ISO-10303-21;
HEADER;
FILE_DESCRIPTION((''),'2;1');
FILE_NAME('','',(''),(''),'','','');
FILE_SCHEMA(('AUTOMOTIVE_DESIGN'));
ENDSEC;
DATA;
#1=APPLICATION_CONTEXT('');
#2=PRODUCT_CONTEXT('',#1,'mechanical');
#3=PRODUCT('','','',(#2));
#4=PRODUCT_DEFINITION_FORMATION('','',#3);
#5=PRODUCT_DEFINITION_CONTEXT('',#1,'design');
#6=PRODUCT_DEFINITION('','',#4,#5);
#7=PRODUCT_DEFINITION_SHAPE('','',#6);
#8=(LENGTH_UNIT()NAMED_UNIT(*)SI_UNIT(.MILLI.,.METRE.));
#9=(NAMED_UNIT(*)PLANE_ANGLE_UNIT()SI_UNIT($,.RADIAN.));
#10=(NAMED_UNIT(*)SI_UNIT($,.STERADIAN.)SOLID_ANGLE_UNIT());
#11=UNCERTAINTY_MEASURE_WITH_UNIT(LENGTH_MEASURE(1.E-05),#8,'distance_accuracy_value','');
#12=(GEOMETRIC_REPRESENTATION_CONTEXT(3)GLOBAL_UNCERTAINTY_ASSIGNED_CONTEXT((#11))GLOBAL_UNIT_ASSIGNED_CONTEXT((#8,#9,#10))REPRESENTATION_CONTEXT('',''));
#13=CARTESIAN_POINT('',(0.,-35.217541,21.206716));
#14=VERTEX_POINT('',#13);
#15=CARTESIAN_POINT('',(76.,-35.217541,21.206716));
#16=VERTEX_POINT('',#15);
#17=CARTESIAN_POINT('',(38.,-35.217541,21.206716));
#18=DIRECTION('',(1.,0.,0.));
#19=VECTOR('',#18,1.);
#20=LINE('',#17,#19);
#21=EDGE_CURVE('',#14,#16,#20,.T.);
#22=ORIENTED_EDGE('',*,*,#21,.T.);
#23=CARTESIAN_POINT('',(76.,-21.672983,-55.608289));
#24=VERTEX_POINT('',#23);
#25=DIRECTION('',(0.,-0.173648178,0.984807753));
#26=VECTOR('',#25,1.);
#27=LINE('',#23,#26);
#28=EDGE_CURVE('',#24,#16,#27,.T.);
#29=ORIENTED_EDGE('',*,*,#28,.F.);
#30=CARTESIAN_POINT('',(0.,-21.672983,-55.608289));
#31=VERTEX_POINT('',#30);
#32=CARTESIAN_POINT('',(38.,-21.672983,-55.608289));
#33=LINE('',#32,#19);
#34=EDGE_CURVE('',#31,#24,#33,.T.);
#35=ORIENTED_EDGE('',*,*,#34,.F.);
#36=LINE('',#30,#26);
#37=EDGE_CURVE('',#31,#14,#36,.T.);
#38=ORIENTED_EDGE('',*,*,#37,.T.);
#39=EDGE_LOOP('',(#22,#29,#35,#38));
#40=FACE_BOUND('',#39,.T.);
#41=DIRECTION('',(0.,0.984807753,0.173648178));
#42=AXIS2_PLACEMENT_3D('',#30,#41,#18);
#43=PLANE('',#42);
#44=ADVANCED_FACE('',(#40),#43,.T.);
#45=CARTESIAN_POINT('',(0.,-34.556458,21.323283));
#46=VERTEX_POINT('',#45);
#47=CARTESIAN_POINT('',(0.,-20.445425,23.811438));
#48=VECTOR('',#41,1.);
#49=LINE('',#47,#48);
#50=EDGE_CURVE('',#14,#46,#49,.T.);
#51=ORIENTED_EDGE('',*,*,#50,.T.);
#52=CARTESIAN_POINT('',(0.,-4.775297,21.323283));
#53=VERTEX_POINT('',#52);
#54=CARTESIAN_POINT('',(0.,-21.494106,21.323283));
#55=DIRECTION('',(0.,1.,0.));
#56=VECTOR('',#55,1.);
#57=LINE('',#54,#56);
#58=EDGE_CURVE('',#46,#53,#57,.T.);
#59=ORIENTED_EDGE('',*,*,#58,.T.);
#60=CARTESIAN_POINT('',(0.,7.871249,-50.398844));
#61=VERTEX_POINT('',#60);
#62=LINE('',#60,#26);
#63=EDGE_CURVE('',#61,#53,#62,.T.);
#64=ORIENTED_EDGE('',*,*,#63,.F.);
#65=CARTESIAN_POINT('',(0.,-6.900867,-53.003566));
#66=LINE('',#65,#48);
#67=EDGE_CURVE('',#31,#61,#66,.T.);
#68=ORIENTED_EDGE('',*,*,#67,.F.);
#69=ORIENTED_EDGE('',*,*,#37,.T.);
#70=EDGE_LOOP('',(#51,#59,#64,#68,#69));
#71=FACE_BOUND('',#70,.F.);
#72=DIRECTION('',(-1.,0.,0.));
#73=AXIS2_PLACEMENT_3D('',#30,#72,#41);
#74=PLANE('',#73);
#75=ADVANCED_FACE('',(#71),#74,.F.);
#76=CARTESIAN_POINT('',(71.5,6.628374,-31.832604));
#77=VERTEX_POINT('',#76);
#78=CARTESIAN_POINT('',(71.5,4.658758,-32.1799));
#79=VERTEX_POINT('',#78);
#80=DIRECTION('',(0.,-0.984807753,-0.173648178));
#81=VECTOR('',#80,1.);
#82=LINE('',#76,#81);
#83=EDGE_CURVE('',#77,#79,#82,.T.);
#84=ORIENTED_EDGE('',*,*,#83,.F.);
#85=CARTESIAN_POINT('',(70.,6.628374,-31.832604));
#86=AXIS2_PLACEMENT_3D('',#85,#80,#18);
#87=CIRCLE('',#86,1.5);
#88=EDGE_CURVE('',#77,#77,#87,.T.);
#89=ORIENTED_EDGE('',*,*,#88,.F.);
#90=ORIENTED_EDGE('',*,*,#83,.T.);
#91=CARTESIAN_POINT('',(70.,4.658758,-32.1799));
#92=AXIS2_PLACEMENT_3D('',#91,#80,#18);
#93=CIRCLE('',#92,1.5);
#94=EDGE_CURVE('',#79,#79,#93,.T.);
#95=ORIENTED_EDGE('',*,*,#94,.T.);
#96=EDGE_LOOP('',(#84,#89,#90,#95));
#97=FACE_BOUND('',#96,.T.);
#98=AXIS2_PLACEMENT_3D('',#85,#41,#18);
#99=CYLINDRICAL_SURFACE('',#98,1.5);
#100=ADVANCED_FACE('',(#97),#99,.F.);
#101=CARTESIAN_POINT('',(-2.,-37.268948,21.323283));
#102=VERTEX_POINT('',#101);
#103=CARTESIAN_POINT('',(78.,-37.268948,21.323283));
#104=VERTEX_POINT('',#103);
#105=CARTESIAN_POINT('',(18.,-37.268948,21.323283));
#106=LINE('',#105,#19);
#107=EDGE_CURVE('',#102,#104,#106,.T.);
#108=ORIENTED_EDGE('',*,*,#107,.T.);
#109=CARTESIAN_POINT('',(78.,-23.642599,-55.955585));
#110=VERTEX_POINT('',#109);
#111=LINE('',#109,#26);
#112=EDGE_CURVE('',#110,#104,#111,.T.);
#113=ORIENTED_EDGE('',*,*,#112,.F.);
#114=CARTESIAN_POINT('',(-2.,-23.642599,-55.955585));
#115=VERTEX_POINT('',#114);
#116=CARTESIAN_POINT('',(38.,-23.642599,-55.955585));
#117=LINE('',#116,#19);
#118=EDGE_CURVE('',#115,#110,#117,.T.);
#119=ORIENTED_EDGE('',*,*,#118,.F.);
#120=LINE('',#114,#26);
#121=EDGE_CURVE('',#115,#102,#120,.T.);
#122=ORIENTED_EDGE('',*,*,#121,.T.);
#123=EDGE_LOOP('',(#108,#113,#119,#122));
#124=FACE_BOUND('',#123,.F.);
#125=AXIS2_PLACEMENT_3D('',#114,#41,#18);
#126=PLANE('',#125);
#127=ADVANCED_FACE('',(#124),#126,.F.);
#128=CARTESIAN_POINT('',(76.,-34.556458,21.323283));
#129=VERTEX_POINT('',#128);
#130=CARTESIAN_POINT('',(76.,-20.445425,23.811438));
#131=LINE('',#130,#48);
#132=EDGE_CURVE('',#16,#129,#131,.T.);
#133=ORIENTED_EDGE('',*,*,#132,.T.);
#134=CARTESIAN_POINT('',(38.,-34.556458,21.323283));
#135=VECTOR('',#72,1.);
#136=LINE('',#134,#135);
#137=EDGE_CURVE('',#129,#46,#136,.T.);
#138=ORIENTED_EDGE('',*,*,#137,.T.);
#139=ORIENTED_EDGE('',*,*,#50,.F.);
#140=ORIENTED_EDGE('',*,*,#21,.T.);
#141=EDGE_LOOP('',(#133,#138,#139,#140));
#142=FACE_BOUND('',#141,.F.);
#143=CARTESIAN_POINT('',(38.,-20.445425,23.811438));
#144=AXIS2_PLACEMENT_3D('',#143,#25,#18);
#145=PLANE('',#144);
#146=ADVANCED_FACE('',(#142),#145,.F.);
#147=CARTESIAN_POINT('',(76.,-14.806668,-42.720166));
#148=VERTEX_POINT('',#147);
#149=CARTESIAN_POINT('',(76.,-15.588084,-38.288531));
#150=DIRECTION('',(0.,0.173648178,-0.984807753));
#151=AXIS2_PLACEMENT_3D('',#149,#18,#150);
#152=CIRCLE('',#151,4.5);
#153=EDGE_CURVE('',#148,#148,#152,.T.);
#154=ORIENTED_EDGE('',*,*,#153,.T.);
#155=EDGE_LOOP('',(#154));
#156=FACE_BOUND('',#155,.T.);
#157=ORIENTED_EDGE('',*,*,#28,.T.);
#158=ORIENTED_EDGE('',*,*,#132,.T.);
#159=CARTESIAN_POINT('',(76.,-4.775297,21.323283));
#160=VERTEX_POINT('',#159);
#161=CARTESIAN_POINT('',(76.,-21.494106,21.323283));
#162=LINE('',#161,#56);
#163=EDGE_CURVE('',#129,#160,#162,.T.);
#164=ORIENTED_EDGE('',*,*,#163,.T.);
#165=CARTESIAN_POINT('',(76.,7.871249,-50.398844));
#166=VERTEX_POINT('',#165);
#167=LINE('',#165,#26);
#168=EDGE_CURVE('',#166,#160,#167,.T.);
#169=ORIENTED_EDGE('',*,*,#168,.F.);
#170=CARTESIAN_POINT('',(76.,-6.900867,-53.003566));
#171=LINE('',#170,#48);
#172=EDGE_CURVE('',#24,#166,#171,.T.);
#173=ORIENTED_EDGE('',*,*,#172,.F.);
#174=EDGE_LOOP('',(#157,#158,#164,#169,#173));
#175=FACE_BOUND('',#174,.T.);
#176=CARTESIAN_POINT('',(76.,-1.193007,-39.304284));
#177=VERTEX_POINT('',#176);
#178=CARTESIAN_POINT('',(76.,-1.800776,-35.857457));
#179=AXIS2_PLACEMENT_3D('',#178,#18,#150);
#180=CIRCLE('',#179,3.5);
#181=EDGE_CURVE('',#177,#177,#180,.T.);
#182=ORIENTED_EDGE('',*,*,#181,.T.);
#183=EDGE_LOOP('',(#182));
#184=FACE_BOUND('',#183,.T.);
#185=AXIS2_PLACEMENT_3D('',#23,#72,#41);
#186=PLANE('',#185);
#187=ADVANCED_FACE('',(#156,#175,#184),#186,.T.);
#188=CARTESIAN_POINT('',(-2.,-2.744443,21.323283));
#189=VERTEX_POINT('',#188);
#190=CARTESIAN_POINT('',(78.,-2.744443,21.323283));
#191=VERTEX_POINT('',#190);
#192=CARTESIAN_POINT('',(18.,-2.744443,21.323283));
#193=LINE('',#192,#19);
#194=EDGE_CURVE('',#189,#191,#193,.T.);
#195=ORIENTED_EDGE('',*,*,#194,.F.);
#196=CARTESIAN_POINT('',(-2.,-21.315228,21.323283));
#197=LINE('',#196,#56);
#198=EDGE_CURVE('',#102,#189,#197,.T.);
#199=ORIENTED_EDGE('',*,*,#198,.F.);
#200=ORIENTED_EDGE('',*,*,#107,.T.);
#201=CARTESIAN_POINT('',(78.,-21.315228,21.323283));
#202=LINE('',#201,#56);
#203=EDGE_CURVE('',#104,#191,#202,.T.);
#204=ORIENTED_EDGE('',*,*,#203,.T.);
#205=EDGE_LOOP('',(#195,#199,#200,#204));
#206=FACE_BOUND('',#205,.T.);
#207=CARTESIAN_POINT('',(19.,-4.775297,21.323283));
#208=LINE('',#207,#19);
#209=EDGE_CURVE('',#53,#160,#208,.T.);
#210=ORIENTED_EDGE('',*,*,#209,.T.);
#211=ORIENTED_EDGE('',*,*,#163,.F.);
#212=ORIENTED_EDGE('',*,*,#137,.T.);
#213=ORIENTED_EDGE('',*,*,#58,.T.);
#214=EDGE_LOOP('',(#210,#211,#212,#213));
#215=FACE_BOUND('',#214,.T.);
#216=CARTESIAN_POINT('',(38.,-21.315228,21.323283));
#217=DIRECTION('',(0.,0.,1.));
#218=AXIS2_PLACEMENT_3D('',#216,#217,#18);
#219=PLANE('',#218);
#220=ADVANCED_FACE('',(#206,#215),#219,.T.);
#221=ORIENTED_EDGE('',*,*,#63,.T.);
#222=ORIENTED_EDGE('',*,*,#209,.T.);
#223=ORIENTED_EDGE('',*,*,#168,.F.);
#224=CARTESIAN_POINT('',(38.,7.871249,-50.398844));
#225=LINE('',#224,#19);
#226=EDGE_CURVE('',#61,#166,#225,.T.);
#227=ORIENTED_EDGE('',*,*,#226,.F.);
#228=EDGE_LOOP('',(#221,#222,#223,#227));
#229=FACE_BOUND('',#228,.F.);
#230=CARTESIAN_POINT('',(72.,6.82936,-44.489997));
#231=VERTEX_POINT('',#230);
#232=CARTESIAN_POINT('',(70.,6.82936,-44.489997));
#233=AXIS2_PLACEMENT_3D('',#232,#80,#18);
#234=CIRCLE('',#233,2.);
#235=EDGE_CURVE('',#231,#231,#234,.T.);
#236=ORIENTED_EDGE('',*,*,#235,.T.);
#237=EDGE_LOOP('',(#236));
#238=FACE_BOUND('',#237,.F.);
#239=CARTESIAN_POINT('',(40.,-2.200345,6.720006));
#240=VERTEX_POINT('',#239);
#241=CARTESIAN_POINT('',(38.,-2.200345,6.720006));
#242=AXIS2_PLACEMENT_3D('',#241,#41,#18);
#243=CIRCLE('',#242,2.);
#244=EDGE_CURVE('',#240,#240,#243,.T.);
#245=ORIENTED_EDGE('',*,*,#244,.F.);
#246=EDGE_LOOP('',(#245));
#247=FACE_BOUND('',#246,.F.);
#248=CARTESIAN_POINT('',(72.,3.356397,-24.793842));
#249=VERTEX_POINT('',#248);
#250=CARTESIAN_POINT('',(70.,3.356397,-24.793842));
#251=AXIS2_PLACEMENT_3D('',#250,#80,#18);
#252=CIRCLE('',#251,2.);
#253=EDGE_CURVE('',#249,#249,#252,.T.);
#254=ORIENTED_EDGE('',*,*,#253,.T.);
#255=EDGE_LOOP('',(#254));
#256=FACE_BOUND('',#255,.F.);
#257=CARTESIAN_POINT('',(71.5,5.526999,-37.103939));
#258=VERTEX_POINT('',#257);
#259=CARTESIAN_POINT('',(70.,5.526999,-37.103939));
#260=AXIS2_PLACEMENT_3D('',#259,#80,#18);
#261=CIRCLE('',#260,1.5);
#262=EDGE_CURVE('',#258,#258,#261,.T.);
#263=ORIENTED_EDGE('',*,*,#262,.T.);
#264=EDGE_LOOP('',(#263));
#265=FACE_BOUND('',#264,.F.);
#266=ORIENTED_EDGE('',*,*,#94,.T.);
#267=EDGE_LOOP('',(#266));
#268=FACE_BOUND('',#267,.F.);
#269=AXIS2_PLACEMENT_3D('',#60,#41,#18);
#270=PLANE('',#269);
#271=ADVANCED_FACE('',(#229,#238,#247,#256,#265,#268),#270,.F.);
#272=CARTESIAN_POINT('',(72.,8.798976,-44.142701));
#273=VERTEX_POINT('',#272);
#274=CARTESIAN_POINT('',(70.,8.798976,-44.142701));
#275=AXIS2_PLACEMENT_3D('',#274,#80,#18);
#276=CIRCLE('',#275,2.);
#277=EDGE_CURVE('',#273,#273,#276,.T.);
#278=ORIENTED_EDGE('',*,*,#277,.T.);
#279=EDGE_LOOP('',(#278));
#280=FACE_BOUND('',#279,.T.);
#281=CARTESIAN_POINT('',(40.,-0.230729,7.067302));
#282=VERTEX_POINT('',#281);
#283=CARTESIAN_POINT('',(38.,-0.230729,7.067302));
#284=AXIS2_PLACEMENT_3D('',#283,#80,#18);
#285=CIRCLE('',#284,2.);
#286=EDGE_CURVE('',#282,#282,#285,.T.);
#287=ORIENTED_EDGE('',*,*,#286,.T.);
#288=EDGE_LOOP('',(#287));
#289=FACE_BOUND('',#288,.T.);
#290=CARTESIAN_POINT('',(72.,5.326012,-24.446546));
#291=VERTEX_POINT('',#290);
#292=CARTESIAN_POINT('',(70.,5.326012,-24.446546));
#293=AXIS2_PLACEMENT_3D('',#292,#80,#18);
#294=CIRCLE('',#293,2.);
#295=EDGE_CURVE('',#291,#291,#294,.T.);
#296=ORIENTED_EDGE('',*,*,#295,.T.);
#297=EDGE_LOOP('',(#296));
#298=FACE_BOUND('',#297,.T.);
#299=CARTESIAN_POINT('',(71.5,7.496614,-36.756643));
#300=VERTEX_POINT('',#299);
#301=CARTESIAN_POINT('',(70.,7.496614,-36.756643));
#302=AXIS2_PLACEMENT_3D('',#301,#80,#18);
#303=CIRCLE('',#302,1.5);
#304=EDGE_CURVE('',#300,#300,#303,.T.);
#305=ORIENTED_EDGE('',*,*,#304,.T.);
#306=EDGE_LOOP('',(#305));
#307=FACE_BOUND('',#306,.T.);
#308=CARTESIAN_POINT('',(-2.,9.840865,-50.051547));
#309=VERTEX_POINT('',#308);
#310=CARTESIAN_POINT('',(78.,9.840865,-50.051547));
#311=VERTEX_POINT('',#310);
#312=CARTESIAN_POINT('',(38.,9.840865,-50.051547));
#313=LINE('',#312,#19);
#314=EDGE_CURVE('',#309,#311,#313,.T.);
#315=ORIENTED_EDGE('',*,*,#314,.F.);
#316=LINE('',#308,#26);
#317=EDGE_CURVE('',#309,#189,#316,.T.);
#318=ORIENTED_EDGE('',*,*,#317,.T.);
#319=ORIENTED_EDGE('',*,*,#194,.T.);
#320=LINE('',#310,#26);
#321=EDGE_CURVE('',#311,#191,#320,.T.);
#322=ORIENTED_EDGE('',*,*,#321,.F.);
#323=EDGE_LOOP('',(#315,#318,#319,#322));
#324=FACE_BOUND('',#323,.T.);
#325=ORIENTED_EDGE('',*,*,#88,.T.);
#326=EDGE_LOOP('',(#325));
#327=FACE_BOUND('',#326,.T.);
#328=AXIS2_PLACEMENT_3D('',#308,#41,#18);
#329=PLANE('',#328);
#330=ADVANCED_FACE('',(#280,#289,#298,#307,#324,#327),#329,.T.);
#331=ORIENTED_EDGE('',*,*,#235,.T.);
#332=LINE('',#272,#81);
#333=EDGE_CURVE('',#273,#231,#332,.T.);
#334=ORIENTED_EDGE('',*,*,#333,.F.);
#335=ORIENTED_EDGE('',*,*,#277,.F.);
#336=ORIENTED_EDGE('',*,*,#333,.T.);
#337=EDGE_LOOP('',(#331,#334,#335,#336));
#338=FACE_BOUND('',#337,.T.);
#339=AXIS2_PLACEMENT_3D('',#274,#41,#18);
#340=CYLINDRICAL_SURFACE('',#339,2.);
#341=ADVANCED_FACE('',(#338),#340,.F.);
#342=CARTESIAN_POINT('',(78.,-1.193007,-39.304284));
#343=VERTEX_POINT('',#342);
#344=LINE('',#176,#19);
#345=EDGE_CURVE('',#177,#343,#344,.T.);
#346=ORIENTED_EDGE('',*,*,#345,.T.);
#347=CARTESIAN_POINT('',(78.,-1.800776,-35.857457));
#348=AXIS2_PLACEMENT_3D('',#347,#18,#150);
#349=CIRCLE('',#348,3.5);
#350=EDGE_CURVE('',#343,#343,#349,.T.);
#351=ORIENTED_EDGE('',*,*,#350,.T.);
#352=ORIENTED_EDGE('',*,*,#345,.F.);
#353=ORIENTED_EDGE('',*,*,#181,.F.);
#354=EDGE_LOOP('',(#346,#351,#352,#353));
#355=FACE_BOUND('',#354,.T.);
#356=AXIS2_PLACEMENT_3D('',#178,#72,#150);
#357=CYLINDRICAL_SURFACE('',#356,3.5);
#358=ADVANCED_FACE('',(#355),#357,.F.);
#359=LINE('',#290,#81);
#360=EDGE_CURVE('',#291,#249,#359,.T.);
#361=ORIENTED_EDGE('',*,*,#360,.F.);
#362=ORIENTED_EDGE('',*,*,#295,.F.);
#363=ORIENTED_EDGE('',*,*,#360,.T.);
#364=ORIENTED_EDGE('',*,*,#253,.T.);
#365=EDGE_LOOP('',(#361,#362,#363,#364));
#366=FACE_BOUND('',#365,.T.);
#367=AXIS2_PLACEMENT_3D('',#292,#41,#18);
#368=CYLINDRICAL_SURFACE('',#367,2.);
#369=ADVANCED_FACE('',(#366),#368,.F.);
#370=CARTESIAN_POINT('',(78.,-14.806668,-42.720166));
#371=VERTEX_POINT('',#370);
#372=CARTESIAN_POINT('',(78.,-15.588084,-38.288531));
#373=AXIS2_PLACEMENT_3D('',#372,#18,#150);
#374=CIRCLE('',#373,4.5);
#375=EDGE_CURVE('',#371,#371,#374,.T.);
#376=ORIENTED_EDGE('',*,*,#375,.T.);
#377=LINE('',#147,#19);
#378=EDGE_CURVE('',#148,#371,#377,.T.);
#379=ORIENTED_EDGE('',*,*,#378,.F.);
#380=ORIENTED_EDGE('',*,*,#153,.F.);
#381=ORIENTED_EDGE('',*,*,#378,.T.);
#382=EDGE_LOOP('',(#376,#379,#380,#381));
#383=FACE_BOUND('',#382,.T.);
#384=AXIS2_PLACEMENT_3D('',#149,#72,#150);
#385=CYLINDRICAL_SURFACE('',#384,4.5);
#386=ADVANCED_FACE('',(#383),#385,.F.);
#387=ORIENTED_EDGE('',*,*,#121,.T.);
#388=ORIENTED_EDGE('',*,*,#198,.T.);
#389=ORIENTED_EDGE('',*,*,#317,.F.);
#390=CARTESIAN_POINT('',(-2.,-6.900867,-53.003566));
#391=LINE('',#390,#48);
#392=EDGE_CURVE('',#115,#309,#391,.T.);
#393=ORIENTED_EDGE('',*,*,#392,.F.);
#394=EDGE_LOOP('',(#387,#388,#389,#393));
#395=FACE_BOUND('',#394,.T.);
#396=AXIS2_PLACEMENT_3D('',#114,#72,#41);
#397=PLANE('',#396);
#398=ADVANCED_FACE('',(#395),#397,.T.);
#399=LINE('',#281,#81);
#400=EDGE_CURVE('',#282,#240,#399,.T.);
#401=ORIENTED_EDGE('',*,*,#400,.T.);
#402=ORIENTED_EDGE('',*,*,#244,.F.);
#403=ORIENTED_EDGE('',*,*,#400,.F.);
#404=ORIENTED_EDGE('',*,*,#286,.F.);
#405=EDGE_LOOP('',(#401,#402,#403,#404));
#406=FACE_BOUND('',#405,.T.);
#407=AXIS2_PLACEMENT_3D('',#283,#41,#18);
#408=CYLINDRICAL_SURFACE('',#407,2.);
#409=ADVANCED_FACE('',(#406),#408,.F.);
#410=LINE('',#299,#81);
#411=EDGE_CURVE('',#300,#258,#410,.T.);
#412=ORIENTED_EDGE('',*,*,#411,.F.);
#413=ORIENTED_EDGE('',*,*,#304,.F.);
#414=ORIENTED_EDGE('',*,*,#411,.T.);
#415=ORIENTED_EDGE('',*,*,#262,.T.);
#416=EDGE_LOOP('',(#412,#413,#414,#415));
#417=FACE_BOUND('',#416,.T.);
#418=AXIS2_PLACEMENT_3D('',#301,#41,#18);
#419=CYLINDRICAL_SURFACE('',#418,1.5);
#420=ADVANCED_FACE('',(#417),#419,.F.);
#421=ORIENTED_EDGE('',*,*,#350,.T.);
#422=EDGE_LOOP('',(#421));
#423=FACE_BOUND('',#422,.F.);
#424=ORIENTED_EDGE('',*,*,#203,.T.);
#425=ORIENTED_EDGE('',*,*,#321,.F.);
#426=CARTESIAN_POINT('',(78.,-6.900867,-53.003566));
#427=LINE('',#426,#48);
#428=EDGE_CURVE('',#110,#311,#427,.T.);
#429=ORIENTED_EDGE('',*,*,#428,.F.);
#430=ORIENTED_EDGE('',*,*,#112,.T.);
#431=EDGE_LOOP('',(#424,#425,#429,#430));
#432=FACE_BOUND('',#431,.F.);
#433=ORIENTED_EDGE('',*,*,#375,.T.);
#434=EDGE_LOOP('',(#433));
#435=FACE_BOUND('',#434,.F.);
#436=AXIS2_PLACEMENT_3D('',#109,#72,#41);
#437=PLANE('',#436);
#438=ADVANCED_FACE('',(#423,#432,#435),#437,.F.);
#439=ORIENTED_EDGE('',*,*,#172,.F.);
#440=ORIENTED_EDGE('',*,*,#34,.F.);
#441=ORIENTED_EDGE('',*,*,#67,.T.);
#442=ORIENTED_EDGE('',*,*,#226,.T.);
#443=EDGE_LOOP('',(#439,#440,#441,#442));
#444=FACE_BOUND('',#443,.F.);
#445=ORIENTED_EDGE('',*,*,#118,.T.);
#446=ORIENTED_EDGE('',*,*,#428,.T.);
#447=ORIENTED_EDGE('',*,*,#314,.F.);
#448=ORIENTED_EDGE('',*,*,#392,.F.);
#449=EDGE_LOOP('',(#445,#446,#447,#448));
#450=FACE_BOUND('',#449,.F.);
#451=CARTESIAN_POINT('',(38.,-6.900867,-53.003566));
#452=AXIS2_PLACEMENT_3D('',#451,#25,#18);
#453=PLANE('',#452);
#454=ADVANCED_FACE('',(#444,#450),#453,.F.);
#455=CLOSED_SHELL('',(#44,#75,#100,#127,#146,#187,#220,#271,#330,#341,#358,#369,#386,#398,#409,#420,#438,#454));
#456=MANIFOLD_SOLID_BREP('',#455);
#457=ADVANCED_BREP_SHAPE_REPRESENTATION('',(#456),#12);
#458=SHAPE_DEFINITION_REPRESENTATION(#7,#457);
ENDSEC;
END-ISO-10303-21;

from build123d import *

# Parameters (mm, degrees)
CYLINDER007_R          = 11
CYLINDER007_DEPTH      = 2
CYLINDER012_R          = 2.5
CYLINDER012_DEPTH      = 2
CYLINDER013_R          = 2
CYLINDER013_DEPTH      = 2
CYLINDER014_R          = 3.5
CYLINDER014_DEPTH      = 2
CYLINDER015_R          = 4.5
CYLINDER015_DEPTH      = 2
BOX019_W               = 80
BOX019_H               = 38
BOX019_DEPTH           = 8
BOX019_PLACEMENT_ANGLE = 10
CYLINDER024_R          = 2
CYLINDER024_DEPTH      = 3
CYLINDER025_R          = 2
CYLINDER025_DEPTH      = 2
CYLINDER026_R          = 1.5
CYLINDER026_DEPTH      = 2
CYLINDER027_R          = 1.5
CYLINDER027_DEPTH      = 2
BOX004_W               = 76
BOX004_H               = 30
BOX004_DEPTH           = 78
BOX003_W               = 80
BOX003_H               = 34
BOX003_DEPTH           = 80
CUT012_PLACEMENT_ANGLE = 10


with BuildPart() as basehole:
    # Cylinder007 → Cylinder007 (new body)
    with BuildSketch(Plane(origin=(15, -19, 20), x_dir=(1, 0, 0), z_dir=(0, 0, 1))):
        Circle(CYLINDER007_R)
    extrude(amount=CYLINDER007_DEPTH)


with BuildPart() as volumehole:
    # Cylinder012 → Cylinder012 (new body)
    with BuildSketch(Plane(origin=(62, -20, 20), x_dir=(1, 0, 0), z_dir=(0, 0, 1))):
        Circle(CYLINDER012_R)
    extrude(amount=CYLINDER012_DEPTH)


with BuildPart() as extspeakerhole:
    # Cylinder013 → Cylinder013 (new body)
    with BuildSketch(Plane(origin=(70, 1, -45), x_dir=(1, 0, 0), z_dir=(0, -1, 0))):
        Circle(CYLINDER013_R)
    extrude(amount=CYLINDER013_DEPTH)


with BuildPart() as audioinhole:
    # Cylinder014 → Cylinder014 (new body)
    with BuildSketch(Plane(origin=(76, -8, -35), x_dir=(0, 0, -1), z_dir=(1, 0, 0))):
        Circle(CYLINDER014_R)
    extrude(amount=CYLINDER014_DEPTH)


with BuildPart() as powerinhole:
    # Cylinder015 → Cylinder015 (new body)
    with BuildSketch(Plane(origin=(76, -22, -35), x_dir=(0, 0, -1), z_dir=(1, 0, 0))):
        Circle(CYLINDER015_R)
    extrude(amount=CYLINDER015_DEPTH)


with BuildPart() as frontlevel:
    # Box019 → Box019 (new body)
    with BuildSketch(Plane.XY):
        with Locations((40, 19)):
            Rectangle(BOX019_W, BOX019_H)
    extrude(amount=BOX019_DEPTH)


with BuildPart() as frontlevel_1:
    # Box019 placement: moved
    add(frontlevel.part.moved(Location((-2, -36, 28))).rotate(Axis((-2, -36, 28), (-1, 0, 0)), BOX019_PLACEMENT_ANGLE))


with BuildPart() as wirehole002:
    # Cylinder024 → Cylinder024 (new body)
    with BuildSketch(Plane(origin=(38, 1, 7), x_dir=(1, 0, 0), z_dir=(0, -1, 0))):
        Circle(CYLINDER024_R)
    extrude(amount=CYLINDER024_DEPTH)


with BuildPart() as extspeakerhole001:
    # Cylinder025 → Cylinder025 (new body)
    with BuildSketch(Plane(origin=(70, 1, -25), x_dir=(1, 0, 0), z_dir=(0, -1, 0))):
        Circle(CYLINDER025_R)
    extrude(amount=CYLINDER025_DEPTH)


with BuildPart() as extspeakerhole002:
    # Cylinder026 → Cylinder026 (new body)
    with BuildSketch(Plane(origin=(70, 1, -32.5), x_dir=(1, 0, 0), z_dir=(0, -1, 0))):
        Circle(CYLINDER026_R)
    extrude(amount=CYLINDER026_DEPTH)


with BuildPart() as extspeakerhole003:
    # Cylinder027 → Cylinder027 (new body)
    with BuildSketch(Plane(origin=(70, 1, -37.5), x_dir=(1, 0, 0), z_dir=(0, -1, 0))):
        Circle(CYLINDER027_R)
    extrude(amount=CYLINDER027_DEPTH)


with BuildPart() as basepunch:
    # Box004 → Box004 (new body)
    with BuildSketch(Plane(origin=(0, -31, -51), x_dir=(1, 0, 0), z_dir=(0, 0, 1))):
        with Locations((38, 15)):
            Rectangle(BOX004_W, BOX004_H)
    extrude(amount=BOX004_DEPTH)

    # Fusion008: union BaseHole, VolumeHole, ExtSpeakerHole, AudioInHole, PowerInHole, FrontLevel, WireHole002, ExtSpeakerHole001, ExtSpeakerHole002, ExtSpeakerHole003
    add(basehole.part)
    add(volumehole.part)
    add(extspeakerhole.part)
    add(audioinhole.part)
    add(powerinhole.part)
    add(frontlevel_1.part)
    add(wirehole002.part)
    add(extspeakerhole001.part)
    add(extspeakerhole002.part)
    add(extspeakerhole003.part)


with BuildPart() as base:
    # Box003 → Box003 (new body)
    with BuildSketch(Plane(origin=(-2, -33, -51), x_dir=(1, 0, 0), z_dir=(0, 0, 1))):
        with Locations((40, 17)):
            Rectangle(BOX003_W, BOX003_H)
    extrude(amount=BOX003_DEPTH)

    # Cut012: cut BASEPUNCH
    add(basepunch.part, mode=Mode.SUBTRACT)


with BuildPart() as base_1:
    # Cut012 placement: moved
    add(base.part.rotate(Axis((0, 0, 0), (1, 0, 0)), CUT012_PLACEMENT_ANGLE))


solid = base_1.part
